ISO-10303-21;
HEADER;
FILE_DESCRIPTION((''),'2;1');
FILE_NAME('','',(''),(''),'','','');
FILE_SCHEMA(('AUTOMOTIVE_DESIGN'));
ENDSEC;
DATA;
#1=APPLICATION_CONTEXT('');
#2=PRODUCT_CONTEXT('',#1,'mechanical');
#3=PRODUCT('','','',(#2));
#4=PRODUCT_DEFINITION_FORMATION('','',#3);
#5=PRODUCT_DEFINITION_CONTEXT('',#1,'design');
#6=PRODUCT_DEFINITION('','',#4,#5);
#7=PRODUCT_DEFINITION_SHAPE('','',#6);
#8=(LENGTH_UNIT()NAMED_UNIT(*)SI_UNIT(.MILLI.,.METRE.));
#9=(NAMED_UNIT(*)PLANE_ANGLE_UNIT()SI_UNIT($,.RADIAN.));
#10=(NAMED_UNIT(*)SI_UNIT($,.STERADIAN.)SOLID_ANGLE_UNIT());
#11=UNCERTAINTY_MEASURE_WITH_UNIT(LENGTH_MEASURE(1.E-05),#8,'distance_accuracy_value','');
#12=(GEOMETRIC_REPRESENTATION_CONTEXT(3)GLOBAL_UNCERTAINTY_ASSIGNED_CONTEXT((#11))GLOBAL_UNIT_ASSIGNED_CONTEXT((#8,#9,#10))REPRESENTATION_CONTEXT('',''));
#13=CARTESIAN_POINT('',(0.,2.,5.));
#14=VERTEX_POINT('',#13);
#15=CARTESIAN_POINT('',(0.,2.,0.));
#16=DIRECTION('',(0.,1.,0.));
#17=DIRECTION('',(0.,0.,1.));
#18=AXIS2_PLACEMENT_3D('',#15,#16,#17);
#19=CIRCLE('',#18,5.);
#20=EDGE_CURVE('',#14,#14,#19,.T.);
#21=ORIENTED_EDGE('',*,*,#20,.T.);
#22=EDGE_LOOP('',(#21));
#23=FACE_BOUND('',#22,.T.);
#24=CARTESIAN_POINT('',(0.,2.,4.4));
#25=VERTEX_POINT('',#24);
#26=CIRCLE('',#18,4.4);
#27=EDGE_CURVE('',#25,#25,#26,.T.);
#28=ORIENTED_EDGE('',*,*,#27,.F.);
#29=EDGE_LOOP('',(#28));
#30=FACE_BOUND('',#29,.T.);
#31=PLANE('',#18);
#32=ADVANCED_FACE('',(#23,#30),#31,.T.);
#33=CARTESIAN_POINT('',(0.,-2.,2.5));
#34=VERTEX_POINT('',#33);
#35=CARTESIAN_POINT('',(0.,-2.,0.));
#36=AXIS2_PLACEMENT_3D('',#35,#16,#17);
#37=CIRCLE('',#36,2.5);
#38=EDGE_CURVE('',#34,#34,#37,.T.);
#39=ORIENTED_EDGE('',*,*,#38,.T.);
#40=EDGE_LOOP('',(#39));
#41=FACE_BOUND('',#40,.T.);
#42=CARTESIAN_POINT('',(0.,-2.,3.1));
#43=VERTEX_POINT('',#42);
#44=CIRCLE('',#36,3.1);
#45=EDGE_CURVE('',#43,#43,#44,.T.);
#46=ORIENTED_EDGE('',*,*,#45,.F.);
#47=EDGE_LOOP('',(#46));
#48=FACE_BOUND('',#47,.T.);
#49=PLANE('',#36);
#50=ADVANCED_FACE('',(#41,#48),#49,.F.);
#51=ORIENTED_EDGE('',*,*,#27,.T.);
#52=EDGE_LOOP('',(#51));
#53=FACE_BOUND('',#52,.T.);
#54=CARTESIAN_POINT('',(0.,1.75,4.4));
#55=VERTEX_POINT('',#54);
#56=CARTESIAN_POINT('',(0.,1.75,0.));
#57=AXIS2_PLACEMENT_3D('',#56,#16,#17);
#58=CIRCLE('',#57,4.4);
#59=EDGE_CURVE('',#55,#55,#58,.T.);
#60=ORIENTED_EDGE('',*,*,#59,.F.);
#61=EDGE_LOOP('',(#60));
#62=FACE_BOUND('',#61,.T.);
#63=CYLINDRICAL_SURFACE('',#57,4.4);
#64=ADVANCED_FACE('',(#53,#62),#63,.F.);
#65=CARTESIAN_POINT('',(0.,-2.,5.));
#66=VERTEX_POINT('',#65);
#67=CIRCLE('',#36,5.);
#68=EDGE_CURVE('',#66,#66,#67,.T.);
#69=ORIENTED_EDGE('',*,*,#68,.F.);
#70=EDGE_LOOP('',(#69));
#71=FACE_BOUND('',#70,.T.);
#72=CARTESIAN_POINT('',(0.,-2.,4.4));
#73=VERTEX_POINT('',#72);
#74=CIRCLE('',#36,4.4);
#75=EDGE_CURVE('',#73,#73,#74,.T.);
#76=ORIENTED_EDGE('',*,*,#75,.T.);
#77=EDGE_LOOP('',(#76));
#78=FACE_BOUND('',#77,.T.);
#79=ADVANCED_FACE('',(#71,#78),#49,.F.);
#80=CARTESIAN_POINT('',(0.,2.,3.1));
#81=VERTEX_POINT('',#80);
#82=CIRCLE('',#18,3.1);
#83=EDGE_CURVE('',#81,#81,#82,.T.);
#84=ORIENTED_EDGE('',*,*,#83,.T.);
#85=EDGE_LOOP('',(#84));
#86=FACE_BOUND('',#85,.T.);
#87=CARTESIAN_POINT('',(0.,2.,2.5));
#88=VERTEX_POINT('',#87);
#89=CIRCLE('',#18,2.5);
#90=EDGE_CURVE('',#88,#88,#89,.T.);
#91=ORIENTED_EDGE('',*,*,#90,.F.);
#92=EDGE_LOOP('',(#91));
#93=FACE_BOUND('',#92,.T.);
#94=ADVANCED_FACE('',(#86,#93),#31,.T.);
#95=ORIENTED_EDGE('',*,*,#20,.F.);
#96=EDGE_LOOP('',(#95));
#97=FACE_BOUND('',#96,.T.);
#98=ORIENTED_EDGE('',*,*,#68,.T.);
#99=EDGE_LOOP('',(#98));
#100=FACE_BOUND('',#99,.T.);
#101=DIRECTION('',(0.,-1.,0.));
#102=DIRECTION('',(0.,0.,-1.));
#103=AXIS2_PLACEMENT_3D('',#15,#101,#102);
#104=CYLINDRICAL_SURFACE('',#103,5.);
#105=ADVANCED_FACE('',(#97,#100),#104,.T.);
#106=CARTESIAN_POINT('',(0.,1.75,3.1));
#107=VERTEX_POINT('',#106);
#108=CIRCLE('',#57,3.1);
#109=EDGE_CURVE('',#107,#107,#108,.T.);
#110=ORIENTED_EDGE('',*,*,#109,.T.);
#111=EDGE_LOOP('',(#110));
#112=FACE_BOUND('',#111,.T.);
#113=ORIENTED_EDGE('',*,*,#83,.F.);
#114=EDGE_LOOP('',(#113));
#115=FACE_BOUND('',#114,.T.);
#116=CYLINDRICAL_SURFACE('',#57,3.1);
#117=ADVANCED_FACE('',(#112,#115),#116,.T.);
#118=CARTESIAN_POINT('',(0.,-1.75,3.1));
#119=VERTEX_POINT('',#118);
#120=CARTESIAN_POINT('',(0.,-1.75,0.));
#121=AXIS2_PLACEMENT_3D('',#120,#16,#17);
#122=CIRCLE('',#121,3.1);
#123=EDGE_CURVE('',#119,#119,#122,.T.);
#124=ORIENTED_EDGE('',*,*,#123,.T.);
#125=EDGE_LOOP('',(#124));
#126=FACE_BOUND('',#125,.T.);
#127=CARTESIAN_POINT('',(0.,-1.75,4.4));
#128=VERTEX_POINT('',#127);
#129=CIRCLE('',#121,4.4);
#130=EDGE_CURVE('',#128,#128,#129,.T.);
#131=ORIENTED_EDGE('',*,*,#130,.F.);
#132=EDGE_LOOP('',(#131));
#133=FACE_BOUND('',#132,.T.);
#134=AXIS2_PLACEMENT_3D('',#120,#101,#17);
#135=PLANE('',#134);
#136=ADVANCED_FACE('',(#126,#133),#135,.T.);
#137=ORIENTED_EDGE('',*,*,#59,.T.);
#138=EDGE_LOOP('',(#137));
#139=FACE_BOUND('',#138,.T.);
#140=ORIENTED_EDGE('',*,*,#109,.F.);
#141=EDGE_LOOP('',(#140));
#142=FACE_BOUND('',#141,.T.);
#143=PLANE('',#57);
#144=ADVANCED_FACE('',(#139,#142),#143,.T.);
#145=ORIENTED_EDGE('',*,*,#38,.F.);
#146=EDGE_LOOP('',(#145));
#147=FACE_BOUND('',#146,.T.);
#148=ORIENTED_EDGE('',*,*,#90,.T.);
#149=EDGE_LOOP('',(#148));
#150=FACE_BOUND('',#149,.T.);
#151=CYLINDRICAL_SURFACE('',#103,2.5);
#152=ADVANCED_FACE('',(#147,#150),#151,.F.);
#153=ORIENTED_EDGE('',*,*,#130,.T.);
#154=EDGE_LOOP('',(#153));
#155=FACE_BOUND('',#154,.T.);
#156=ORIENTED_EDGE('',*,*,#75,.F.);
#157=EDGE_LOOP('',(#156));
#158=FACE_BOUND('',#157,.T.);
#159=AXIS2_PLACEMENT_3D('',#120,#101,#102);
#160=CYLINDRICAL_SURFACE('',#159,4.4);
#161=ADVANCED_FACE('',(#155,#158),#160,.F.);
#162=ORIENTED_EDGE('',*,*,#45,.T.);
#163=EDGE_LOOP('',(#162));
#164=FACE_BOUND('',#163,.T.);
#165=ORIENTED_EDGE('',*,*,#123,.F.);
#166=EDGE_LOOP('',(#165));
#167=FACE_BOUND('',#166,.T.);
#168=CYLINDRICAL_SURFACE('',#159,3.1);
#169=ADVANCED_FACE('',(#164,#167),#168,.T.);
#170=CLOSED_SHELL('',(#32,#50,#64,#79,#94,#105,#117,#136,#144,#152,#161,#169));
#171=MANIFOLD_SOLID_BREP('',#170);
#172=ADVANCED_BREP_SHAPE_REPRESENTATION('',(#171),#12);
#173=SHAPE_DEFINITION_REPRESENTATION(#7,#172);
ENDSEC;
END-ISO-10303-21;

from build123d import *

# Parameters (mm, degrees)
SKETCH1_R           = 5
SKETCH1_R_2         = 2.5
BOSS_EXTRUDE1_DEPTH = 2
SKETCH2_R           = 4.4
SKETCH2_R_2         = 3.1
CUT_EXTRUDE1_DEPTH  = 0.25


with BuildPart() as part:
    # Sketch1 → Boss-Extrude1 (new, symmetric)
    with BuildSketch(Plane(origin=(0, 0, 0), x_dir=(1, 0, 0), z_dir=(0, 1, 0))):
        with Locations(Location((0, 0, 0), (0, 0, 270))):
            Circle(SKETCH1_R)
        with Locations(Location((0, 0, 0), (0, 0, 270))):
            Circle(SKETCH1_R_2, mode=Mode.SUBTRACT)
    extrude(amount=BOSS_EXTRUDE1_DEPTH, both=True)

    # Sketch2 → Cut-Extrude1 (cut)
    with BuildSketch(Plane(origin=(0, 2, 0), x_dir=(1, 0, 0), z_dir=(0, 1, 0))):
        with Locations(Location((0, 0, 0), (0, 0, 270))):
            Circle(SKETCH2_R)
        with Locations(Location((0, 0, 0), (0, 0, 270))):
            Circle(SKETCH2_R_2, mode=Mode.SUBTRACT)
    cut_extrude1 = extrude(amount=-CUT_EXTRUDE1_DEPTH, mode=Mode.SUBTRACT)

    # Mirror1: Cut-Extrude1 across plane
    add(cut_extrude1.mirror(Plane.ZX), mode=Mode.SUBTRACT)


solid = part.part
